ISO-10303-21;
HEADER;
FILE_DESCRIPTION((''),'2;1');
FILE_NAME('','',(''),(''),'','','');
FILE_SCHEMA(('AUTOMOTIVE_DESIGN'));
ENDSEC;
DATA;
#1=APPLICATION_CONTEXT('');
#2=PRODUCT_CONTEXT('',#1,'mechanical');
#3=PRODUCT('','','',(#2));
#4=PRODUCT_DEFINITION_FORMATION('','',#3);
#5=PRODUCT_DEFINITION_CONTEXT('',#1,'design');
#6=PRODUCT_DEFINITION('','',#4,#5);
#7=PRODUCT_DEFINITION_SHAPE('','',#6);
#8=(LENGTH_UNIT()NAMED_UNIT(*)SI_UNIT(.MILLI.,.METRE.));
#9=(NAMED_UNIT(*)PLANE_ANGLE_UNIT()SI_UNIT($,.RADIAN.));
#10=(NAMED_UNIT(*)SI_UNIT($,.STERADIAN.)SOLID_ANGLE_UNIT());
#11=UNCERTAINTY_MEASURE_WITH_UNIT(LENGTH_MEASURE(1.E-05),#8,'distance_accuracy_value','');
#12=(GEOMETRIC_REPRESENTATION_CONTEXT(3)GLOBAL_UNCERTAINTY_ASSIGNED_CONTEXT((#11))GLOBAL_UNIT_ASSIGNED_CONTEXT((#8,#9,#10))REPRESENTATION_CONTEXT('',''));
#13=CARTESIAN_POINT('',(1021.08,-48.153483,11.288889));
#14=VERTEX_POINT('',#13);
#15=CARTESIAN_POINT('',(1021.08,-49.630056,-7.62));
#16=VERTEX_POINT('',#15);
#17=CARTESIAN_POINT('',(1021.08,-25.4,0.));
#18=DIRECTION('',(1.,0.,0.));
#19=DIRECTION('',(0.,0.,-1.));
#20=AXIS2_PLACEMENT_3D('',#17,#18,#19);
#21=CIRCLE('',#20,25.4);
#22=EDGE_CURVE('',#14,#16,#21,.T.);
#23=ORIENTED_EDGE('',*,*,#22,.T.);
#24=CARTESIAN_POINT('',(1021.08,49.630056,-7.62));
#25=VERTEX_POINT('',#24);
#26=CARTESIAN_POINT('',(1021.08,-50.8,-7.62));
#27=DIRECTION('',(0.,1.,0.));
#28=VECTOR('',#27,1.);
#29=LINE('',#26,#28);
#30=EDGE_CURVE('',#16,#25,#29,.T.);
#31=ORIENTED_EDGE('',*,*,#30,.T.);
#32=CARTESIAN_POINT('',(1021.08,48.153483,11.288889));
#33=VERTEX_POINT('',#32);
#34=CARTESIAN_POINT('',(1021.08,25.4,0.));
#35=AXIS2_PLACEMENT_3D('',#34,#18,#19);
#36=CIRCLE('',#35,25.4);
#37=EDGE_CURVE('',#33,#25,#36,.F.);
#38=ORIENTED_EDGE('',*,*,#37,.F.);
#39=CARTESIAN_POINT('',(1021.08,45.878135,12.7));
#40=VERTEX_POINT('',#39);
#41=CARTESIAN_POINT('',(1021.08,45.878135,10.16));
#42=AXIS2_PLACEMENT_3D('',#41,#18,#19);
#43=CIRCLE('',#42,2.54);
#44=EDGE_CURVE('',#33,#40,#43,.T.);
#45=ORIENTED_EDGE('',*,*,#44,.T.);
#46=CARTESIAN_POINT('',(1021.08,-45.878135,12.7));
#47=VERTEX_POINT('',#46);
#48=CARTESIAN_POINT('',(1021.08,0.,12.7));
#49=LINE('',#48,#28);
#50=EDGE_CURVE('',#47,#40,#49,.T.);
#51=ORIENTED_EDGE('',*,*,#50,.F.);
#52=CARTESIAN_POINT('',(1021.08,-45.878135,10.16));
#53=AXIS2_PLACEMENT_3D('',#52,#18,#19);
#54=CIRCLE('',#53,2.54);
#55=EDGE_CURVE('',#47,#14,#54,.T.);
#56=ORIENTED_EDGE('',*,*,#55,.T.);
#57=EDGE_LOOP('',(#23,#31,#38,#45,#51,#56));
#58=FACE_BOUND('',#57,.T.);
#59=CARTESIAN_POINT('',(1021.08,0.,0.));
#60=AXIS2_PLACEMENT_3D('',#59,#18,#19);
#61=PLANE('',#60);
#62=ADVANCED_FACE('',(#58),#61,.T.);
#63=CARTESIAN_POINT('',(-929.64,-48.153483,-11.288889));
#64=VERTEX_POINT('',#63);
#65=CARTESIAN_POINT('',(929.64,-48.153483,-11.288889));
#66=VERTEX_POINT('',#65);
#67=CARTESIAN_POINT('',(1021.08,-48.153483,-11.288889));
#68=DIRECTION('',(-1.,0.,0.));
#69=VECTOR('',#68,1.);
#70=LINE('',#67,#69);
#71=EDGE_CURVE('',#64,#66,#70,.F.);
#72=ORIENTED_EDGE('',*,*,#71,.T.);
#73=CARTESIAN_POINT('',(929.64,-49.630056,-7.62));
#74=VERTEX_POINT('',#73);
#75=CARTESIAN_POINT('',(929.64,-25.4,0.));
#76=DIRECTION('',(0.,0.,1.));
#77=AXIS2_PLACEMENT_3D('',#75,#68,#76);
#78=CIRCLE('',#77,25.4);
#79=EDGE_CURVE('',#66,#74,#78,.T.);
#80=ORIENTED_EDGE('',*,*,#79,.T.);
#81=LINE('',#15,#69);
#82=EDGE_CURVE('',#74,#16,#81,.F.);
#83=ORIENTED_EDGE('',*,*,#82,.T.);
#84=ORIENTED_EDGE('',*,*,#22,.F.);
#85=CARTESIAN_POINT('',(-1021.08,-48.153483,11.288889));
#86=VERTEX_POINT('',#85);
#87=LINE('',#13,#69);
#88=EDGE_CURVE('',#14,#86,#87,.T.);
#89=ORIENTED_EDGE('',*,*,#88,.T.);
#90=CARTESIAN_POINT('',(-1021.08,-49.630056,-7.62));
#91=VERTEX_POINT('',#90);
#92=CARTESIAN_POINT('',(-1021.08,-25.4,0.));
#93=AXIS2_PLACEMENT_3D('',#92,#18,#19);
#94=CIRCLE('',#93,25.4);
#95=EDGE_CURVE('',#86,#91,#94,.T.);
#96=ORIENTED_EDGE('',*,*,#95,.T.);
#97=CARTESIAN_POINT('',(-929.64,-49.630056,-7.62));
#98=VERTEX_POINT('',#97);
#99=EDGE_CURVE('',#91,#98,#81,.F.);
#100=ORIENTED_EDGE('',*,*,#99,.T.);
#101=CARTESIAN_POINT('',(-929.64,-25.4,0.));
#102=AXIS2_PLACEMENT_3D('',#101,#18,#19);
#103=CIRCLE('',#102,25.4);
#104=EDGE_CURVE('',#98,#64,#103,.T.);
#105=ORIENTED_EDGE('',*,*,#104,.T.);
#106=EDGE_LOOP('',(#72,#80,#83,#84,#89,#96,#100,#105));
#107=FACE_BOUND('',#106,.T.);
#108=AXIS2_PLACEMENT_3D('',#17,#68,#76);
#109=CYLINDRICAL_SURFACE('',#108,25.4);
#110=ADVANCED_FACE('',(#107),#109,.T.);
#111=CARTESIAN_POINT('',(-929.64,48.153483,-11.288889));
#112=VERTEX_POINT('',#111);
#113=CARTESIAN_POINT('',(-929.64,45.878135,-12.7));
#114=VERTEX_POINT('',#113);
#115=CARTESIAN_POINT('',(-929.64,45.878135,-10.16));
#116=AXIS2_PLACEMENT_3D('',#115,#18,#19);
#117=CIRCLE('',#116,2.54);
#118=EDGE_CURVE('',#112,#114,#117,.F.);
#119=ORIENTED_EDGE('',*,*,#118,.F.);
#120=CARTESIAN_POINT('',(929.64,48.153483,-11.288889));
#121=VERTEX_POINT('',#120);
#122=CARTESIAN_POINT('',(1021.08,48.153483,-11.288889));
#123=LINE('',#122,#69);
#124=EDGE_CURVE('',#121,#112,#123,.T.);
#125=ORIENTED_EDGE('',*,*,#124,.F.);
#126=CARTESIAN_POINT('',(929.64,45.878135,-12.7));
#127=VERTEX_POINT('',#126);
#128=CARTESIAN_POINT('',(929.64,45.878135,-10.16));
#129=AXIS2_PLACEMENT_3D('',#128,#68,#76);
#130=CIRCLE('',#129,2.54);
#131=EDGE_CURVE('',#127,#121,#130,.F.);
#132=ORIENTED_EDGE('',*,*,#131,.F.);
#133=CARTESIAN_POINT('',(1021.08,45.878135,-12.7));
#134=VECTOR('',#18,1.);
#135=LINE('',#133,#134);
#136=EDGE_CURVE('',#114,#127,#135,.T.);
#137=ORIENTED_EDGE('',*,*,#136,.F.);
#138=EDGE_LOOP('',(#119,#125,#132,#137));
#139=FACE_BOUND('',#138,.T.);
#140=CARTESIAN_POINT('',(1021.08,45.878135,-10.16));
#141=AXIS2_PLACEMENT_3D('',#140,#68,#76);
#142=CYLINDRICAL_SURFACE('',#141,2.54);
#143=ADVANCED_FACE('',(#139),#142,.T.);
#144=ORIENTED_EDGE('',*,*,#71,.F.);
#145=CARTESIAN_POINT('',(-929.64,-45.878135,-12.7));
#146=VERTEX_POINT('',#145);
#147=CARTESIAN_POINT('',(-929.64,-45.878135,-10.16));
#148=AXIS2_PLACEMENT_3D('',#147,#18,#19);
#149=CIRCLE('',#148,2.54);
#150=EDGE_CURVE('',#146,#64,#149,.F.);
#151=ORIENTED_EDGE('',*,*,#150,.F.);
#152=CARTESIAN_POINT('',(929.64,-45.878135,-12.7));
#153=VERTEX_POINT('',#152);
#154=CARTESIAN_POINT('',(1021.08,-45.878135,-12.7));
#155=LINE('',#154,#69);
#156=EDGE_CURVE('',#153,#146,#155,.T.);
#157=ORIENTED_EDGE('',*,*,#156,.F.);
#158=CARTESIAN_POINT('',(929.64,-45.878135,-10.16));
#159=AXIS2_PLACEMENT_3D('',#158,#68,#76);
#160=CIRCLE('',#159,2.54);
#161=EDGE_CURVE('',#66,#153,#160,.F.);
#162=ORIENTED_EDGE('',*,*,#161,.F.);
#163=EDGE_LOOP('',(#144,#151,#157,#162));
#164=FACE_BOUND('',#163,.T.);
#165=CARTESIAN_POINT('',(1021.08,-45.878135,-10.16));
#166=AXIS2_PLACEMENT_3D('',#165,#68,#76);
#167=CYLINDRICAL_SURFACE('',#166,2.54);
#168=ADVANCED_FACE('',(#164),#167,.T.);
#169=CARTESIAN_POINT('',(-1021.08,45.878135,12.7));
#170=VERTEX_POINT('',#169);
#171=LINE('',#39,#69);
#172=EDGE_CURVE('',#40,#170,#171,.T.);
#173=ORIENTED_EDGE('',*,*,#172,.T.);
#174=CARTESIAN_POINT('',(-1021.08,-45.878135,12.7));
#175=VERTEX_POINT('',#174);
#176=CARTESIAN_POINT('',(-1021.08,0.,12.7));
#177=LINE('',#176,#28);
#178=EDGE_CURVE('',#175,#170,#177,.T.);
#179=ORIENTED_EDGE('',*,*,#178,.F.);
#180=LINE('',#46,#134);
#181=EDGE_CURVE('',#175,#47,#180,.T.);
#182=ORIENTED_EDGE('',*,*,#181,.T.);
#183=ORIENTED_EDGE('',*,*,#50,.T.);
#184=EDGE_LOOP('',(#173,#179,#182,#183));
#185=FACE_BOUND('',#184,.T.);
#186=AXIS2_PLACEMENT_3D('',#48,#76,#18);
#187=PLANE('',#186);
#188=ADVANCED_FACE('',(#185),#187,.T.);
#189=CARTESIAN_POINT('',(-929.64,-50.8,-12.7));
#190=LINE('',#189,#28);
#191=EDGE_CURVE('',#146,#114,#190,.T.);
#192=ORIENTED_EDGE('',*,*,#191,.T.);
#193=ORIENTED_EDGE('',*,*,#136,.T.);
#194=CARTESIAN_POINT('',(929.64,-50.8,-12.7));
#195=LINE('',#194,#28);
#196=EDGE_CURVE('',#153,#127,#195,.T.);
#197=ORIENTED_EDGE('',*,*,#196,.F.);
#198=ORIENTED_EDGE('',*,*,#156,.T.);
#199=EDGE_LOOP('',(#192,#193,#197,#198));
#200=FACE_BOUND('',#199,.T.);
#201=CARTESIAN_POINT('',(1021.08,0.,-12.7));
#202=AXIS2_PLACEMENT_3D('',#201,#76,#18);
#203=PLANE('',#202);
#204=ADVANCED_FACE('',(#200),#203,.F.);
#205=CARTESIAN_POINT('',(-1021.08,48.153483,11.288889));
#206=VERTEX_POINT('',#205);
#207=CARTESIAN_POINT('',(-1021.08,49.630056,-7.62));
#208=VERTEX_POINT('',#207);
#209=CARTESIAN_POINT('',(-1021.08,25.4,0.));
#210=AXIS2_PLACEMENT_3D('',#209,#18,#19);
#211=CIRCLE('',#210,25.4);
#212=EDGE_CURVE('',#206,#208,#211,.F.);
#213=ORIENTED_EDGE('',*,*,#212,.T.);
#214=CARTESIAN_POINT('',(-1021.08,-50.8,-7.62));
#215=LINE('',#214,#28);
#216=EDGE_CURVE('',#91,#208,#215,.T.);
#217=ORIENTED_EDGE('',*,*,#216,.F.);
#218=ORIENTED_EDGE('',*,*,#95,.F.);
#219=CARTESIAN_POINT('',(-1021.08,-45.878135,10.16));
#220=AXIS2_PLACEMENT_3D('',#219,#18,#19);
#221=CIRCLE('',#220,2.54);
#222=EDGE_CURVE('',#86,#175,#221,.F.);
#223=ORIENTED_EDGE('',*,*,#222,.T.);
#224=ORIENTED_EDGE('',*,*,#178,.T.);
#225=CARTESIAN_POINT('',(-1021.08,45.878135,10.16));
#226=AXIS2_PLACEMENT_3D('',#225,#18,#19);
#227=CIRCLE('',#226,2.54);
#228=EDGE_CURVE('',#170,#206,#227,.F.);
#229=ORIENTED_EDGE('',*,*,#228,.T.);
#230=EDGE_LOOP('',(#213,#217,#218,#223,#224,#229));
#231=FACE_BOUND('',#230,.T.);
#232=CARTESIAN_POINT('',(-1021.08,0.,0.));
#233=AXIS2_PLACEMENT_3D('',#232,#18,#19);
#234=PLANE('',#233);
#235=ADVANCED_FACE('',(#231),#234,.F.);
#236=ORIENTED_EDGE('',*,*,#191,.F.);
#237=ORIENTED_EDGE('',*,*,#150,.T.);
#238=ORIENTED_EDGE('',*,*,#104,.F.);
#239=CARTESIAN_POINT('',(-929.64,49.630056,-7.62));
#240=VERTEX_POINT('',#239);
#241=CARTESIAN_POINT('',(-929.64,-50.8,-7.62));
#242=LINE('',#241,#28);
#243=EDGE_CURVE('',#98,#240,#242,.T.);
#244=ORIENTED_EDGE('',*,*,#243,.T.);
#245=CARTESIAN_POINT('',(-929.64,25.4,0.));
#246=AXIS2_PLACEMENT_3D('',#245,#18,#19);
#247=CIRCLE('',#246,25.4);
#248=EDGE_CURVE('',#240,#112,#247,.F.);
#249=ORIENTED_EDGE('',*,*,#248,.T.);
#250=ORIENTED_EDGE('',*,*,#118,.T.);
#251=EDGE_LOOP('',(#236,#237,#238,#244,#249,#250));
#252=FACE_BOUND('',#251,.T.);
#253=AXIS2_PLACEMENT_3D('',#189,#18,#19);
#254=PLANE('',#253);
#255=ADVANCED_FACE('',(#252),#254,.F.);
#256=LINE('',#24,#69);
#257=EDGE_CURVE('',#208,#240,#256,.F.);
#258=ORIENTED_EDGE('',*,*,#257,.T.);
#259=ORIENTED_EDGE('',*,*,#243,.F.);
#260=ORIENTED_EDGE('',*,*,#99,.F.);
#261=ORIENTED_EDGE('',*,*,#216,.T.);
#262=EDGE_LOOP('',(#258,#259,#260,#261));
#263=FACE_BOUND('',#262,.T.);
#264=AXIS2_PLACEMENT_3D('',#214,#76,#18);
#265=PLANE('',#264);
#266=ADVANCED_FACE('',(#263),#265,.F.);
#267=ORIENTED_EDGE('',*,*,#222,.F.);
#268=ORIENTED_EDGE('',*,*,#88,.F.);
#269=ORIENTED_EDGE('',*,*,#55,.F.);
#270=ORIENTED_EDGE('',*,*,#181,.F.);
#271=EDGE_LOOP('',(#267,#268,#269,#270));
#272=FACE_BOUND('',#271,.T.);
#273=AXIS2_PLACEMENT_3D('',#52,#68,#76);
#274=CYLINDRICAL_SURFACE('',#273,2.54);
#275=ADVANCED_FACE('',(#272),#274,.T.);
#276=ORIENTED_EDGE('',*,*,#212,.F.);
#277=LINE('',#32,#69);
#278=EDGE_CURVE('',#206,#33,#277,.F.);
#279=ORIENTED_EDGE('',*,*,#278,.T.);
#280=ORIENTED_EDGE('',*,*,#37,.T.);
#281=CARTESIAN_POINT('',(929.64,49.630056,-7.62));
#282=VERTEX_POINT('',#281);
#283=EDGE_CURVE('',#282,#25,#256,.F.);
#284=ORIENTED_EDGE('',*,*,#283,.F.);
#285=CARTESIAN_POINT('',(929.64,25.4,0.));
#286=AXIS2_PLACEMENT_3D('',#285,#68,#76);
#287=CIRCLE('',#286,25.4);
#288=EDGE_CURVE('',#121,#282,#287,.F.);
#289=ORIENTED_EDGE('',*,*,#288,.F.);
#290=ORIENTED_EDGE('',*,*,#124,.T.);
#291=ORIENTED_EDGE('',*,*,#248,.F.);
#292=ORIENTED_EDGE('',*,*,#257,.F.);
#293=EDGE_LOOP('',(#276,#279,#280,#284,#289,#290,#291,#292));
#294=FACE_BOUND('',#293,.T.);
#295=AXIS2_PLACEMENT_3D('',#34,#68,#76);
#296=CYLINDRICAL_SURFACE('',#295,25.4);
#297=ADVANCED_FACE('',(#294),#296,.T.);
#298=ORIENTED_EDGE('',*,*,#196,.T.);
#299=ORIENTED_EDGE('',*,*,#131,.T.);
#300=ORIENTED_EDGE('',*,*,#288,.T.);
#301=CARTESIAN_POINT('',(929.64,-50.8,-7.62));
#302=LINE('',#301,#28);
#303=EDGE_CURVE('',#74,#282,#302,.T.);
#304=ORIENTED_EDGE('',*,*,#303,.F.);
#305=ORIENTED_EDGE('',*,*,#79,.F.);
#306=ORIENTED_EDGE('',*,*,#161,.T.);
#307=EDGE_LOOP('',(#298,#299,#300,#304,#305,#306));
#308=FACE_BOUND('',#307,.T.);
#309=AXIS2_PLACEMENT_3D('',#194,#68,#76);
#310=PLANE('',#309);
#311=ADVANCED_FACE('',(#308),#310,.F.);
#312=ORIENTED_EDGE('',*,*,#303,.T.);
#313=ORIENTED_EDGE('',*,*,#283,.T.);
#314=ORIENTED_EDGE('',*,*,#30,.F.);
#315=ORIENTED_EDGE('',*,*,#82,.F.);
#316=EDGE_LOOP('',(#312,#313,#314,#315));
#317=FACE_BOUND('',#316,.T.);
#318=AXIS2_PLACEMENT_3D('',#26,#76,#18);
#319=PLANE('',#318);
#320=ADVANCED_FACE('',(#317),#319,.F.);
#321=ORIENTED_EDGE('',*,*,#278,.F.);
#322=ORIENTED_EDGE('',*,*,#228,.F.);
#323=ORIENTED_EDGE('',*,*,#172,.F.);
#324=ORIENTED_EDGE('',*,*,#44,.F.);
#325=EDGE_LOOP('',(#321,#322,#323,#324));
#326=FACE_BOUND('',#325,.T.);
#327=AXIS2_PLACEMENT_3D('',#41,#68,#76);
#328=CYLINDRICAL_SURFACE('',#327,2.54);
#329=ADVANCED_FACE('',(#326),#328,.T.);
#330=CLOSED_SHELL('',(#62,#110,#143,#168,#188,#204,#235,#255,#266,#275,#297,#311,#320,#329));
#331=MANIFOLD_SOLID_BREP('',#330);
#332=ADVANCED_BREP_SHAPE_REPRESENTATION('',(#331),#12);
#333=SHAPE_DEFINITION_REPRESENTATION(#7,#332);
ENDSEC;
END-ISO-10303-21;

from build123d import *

# Parameters (mm, degrees)
BOSS_EXTRUDE2_DEPTH     = 1021.08
FILLET1_R               = 2.54
CUT_EXTRUDE1_DEPTH      = 1023.421780089
CUT_EXTRUDE1_DEPTH_BACK = 1023.421780089
SKETCH2_W               = 91.44
SKETCH2_H               = 5.08


with BuildPart() as part:
    # Sketch1 → Boss-Extrude2 (new, symmetric)
    with BuildSketch(Plane(origin=(0, 0, 0), x_dir=(0, 0, -1), z_dir=(1, 0, 0))):
        with BuildLine():
            ThreePointArc((-12.7, -47.397045256), (-6.574003886, -49.93451595), (-2.91e-07, -50.8))
            ThreePointArc((-2.91e-07, -50.8), (6.574003605, -49.934516025), (12.7, -47.397045256))
            Line((12.7, -47.397045256), (12.7, 47.397045256))
            ThreePointArc((12.7, 47.397045256), (6.574003746, 49.934515988), (0, 50.8))
            ThreePointArc((0, 50.8), (-6.574003746, 49.934515988), (-12.7, 47.397045256))
            Line((-12.7, 47.397045256), (-12.7, -47.397045256))
        make_face()
    extrude(amount=BOSS_EXTRUDE2_DEPTH, both=True)

    # Fillet1
    fillet1_edges = [part.edges().sort_by_distance(p)[0] for p in [
        (-510.54, 47.397045256, 12.7),
        (510.54, 47.397045256, -12.7),
        (-510.54, -47.397045256, -12.7),
        (0, -47.397045256, 12.7),
    ]]
    fillet(fillet1_edges, radius=FILLET1_R)

    # Sketch2 → Cut-Extrude1 (cut, two sides: drawn at the far end of the back side and taken through both)
    with BuildSketch(Plane(origin=(0, 0, 0), x_dir=(1, 0, 0), z_dir=(0, 1, 0)).offset(-CUT_EXTRUDE1_DEPTH_BACK)):
        with Locations((975.36, 10.16)):
            Rectangle(SKETCH2_W, SKETCH2_H)
        with Locations((-975.36, 10.16)):
            Rectangle(SKETCH2_W, SKETCH2_H)
    extrude(amount=CUT_EXTRUDE1_DEPTH + CUT_EXTRUDE1_DEPTH_BACK, mode=Mode.SUBTRACT)


solid = part.part
